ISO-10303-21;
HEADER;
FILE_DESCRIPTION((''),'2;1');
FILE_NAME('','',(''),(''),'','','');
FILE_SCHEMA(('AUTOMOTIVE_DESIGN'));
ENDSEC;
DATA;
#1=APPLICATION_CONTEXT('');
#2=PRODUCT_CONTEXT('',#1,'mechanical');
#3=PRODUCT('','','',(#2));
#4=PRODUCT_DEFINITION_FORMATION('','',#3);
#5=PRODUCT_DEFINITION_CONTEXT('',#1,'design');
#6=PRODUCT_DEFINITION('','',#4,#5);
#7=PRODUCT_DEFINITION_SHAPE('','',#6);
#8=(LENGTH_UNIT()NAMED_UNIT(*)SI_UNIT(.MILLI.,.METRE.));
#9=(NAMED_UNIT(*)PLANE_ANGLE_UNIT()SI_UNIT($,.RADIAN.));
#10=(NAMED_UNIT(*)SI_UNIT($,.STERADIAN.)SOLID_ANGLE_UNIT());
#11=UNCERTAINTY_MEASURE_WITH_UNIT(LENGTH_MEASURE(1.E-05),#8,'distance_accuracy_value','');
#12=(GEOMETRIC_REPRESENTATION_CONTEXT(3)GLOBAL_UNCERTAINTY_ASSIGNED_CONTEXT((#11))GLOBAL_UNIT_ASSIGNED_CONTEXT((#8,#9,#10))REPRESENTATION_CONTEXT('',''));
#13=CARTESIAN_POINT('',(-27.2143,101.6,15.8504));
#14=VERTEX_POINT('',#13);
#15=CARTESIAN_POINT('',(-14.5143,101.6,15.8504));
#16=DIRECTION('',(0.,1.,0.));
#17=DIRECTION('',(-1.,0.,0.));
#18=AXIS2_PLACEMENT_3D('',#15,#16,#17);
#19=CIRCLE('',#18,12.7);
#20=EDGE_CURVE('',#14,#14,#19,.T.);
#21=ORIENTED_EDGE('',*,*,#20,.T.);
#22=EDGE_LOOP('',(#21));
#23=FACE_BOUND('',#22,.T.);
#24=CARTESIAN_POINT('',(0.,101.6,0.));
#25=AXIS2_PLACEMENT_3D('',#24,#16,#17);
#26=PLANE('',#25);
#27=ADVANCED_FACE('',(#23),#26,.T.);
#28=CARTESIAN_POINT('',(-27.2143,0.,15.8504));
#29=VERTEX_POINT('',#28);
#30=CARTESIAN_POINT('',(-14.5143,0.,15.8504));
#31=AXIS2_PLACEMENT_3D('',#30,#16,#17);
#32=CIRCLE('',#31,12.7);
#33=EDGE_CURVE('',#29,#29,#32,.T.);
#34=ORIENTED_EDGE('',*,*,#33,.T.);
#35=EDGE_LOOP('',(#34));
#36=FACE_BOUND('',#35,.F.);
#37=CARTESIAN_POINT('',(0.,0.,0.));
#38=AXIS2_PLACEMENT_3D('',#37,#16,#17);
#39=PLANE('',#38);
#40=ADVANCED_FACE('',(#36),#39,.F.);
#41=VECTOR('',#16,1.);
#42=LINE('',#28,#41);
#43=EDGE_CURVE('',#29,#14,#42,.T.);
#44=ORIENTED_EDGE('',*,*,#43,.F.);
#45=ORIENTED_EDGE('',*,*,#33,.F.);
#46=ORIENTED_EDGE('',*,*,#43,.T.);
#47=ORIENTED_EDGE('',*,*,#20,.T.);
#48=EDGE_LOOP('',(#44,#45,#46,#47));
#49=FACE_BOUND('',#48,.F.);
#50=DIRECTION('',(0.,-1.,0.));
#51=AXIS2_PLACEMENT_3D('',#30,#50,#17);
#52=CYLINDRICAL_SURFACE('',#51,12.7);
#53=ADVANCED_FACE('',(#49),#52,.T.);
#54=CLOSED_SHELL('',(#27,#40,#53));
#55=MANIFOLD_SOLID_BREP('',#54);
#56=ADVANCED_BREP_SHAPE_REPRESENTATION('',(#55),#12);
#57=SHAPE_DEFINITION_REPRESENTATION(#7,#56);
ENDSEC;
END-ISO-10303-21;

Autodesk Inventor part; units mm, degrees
ref_plane "YZ Plane" through (0, 0, 0) normal (1, 0, 0) x (0, 1, 0)
ref_plane "XZ Plane" through (0, 0, 0) normal (0, 1, 0) x (-1, 0, 0)
ref_plane "XY Plane" through (0, 0, 0) normal (0, 0, 1) x (1, 0, 0)
sketch "Sketch1" plane through (0, 0, 0) normal (0, 1, 0) x (-1, 0, 0)
  circle A0 centre (14.5143, 15.8504) radius 12.7
  circle A1 centre (14.5143, 15.8504) radius 12.7
  point P0 (0, 0)
  dimension "d0" = 25.4
extrude "Extrusion1" add sketch "Sketch1" along normal blind 101.6
properties part number "Peg"
